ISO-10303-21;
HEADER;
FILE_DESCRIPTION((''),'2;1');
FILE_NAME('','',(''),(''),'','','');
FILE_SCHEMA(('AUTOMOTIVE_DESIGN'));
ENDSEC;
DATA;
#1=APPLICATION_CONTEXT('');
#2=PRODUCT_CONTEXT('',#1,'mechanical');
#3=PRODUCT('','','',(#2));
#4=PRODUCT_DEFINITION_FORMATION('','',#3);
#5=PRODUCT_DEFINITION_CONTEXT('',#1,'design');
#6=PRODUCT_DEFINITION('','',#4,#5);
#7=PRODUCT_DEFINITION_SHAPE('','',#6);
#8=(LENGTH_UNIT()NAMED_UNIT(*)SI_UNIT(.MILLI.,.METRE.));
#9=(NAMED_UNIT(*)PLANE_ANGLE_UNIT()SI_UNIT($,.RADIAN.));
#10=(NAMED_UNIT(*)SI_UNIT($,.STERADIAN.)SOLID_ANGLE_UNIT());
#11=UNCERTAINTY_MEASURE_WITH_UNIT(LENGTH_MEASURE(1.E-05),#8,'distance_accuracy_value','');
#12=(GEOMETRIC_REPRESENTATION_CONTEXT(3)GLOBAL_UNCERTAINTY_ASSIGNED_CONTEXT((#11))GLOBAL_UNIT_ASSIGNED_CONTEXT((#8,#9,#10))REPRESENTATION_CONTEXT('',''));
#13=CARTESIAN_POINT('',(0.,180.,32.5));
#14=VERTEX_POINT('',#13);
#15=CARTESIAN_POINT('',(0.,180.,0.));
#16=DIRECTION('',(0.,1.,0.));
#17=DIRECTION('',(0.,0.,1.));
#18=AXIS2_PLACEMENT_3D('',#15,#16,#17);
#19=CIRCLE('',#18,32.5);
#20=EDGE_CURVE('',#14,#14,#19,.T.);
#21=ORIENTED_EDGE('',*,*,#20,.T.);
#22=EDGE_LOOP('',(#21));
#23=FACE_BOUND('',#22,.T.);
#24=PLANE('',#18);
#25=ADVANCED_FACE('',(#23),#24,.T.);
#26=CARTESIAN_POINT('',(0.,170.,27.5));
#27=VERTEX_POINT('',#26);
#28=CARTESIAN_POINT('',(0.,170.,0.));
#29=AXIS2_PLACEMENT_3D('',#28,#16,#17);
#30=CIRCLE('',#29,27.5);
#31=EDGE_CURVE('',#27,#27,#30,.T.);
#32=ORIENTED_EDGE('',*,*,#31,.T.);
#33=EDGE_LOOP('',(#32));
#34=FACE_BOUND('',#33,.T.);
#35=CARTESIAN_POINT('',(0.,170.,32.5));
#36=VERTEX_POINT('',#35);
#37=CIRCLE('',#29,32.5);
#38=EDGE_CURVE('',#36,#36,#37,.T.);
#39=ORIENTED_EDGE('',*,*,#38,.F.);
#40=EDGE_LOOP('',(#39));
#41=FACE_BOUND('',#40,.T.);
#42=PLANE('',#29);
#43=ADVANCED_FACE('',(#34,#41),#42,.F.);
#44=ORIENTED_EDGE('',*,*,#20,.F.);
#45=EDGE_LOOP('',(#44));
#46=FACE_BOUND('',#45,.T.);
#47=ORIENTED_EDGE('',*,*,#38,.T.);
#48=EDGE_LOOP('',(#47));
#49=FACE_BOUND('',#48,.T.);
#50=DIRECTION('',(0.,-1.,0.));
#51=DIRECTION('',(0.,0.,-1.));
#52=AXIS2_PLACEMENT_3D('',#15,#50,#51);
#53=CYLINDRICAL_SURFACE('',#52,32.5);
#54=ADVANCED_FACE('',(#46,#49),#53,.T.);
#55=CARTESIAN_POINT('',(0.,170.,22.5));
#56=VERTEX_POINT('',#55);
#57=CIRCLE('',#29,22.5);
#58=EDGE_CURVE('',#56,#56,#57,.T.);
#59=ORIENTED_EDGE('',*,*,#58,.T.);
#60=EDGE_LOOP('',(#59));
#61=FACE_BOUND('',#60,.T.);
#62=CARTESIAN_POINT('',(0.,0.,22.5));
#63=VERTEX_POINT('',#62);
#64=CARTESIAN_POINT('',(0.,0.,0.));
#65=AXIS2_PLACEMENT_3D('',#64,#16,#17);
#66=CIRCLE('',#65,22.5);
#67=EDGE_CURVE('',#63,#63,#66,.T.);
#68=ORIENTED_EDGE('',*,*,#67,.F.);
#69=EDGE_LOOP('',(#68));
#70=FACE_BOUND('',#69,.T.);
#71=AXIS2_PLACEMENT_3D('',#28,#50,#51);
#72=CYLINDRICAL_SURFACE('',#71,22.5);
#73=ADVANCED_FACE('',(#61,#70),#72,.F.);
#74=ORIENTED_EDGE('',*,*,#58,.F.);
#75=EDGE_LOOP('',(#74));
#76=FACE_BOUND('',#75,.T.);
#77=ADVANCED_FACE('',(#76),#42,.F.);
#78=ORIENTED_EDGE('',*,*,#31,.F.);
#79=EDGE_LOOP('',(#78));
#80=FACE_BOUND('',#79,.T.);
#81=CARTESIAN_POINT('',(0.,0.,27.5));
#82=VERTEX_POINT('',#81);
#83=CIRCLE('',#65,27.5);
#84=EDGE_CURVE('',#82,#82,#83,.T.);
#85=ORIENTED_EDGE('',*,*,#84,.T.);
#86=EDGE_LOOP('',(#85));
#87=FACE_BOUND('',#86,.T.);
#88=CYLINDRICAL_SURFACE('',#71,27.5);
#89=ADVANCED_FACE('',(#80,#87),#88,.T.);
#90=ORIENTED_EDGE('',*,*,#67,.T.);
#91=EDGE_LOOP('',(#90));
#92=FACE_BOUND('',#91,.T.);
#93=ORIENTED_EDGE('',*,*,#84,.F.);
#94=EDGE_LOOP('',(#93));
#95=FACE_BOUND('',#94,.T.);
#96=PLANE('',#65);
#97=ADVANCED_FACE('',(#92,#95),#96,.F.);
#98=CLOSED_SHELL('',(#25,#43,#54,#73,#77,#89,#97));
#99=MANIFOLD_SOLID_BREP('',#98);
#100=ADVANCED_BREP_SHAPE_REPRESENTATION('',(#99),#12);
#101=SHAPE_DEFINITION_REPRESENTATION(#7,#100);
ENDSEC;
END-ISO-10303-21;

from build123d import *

# Parameters (mm, degrees)
SKETCH1_R           = 27.5
SKETCH1_R_2         = 22.5
BOSS_EXTRUDE1_DEPTH = 170
SKETCH2_R           = 32.5
BOSS_EXTRUDE2_DEPTH = 10


with BuildPart() as part:
    # Sketch1 → Boss-Extrude1 (new body)
    with BuildSketch(Plane(origin=(0, 0, 0), x_dir=(1, 0, 0), z_dir=(0, 1, 0))):
        with Locations(Location((0, 0, 0), (0, 0, 270))):
            Circle(SKETCH1_R)
        with Locations(Location((0, 0, 0), (0, 0, 270))):
            Circle(SKETCH1_R_2, mode=Mode.SUBTRACT)
    extrude(amount=BOSS_EXTRUDE1_DEPTH)

    # Sketch2 → Boss-Extrude2 (add)
    with BuildSketch(Plane(origin=(0, 170, 0), x_dir=(1, 0, 0), z_dir=(0, 1, 0))):
        with Locations(Location((0, 0, 0), (0, 0, 270))):
            Circle(SKETCH2_R)
    extrude(amount=BOSS_EXTRUDE2_DEPTH)


solid = part.part
